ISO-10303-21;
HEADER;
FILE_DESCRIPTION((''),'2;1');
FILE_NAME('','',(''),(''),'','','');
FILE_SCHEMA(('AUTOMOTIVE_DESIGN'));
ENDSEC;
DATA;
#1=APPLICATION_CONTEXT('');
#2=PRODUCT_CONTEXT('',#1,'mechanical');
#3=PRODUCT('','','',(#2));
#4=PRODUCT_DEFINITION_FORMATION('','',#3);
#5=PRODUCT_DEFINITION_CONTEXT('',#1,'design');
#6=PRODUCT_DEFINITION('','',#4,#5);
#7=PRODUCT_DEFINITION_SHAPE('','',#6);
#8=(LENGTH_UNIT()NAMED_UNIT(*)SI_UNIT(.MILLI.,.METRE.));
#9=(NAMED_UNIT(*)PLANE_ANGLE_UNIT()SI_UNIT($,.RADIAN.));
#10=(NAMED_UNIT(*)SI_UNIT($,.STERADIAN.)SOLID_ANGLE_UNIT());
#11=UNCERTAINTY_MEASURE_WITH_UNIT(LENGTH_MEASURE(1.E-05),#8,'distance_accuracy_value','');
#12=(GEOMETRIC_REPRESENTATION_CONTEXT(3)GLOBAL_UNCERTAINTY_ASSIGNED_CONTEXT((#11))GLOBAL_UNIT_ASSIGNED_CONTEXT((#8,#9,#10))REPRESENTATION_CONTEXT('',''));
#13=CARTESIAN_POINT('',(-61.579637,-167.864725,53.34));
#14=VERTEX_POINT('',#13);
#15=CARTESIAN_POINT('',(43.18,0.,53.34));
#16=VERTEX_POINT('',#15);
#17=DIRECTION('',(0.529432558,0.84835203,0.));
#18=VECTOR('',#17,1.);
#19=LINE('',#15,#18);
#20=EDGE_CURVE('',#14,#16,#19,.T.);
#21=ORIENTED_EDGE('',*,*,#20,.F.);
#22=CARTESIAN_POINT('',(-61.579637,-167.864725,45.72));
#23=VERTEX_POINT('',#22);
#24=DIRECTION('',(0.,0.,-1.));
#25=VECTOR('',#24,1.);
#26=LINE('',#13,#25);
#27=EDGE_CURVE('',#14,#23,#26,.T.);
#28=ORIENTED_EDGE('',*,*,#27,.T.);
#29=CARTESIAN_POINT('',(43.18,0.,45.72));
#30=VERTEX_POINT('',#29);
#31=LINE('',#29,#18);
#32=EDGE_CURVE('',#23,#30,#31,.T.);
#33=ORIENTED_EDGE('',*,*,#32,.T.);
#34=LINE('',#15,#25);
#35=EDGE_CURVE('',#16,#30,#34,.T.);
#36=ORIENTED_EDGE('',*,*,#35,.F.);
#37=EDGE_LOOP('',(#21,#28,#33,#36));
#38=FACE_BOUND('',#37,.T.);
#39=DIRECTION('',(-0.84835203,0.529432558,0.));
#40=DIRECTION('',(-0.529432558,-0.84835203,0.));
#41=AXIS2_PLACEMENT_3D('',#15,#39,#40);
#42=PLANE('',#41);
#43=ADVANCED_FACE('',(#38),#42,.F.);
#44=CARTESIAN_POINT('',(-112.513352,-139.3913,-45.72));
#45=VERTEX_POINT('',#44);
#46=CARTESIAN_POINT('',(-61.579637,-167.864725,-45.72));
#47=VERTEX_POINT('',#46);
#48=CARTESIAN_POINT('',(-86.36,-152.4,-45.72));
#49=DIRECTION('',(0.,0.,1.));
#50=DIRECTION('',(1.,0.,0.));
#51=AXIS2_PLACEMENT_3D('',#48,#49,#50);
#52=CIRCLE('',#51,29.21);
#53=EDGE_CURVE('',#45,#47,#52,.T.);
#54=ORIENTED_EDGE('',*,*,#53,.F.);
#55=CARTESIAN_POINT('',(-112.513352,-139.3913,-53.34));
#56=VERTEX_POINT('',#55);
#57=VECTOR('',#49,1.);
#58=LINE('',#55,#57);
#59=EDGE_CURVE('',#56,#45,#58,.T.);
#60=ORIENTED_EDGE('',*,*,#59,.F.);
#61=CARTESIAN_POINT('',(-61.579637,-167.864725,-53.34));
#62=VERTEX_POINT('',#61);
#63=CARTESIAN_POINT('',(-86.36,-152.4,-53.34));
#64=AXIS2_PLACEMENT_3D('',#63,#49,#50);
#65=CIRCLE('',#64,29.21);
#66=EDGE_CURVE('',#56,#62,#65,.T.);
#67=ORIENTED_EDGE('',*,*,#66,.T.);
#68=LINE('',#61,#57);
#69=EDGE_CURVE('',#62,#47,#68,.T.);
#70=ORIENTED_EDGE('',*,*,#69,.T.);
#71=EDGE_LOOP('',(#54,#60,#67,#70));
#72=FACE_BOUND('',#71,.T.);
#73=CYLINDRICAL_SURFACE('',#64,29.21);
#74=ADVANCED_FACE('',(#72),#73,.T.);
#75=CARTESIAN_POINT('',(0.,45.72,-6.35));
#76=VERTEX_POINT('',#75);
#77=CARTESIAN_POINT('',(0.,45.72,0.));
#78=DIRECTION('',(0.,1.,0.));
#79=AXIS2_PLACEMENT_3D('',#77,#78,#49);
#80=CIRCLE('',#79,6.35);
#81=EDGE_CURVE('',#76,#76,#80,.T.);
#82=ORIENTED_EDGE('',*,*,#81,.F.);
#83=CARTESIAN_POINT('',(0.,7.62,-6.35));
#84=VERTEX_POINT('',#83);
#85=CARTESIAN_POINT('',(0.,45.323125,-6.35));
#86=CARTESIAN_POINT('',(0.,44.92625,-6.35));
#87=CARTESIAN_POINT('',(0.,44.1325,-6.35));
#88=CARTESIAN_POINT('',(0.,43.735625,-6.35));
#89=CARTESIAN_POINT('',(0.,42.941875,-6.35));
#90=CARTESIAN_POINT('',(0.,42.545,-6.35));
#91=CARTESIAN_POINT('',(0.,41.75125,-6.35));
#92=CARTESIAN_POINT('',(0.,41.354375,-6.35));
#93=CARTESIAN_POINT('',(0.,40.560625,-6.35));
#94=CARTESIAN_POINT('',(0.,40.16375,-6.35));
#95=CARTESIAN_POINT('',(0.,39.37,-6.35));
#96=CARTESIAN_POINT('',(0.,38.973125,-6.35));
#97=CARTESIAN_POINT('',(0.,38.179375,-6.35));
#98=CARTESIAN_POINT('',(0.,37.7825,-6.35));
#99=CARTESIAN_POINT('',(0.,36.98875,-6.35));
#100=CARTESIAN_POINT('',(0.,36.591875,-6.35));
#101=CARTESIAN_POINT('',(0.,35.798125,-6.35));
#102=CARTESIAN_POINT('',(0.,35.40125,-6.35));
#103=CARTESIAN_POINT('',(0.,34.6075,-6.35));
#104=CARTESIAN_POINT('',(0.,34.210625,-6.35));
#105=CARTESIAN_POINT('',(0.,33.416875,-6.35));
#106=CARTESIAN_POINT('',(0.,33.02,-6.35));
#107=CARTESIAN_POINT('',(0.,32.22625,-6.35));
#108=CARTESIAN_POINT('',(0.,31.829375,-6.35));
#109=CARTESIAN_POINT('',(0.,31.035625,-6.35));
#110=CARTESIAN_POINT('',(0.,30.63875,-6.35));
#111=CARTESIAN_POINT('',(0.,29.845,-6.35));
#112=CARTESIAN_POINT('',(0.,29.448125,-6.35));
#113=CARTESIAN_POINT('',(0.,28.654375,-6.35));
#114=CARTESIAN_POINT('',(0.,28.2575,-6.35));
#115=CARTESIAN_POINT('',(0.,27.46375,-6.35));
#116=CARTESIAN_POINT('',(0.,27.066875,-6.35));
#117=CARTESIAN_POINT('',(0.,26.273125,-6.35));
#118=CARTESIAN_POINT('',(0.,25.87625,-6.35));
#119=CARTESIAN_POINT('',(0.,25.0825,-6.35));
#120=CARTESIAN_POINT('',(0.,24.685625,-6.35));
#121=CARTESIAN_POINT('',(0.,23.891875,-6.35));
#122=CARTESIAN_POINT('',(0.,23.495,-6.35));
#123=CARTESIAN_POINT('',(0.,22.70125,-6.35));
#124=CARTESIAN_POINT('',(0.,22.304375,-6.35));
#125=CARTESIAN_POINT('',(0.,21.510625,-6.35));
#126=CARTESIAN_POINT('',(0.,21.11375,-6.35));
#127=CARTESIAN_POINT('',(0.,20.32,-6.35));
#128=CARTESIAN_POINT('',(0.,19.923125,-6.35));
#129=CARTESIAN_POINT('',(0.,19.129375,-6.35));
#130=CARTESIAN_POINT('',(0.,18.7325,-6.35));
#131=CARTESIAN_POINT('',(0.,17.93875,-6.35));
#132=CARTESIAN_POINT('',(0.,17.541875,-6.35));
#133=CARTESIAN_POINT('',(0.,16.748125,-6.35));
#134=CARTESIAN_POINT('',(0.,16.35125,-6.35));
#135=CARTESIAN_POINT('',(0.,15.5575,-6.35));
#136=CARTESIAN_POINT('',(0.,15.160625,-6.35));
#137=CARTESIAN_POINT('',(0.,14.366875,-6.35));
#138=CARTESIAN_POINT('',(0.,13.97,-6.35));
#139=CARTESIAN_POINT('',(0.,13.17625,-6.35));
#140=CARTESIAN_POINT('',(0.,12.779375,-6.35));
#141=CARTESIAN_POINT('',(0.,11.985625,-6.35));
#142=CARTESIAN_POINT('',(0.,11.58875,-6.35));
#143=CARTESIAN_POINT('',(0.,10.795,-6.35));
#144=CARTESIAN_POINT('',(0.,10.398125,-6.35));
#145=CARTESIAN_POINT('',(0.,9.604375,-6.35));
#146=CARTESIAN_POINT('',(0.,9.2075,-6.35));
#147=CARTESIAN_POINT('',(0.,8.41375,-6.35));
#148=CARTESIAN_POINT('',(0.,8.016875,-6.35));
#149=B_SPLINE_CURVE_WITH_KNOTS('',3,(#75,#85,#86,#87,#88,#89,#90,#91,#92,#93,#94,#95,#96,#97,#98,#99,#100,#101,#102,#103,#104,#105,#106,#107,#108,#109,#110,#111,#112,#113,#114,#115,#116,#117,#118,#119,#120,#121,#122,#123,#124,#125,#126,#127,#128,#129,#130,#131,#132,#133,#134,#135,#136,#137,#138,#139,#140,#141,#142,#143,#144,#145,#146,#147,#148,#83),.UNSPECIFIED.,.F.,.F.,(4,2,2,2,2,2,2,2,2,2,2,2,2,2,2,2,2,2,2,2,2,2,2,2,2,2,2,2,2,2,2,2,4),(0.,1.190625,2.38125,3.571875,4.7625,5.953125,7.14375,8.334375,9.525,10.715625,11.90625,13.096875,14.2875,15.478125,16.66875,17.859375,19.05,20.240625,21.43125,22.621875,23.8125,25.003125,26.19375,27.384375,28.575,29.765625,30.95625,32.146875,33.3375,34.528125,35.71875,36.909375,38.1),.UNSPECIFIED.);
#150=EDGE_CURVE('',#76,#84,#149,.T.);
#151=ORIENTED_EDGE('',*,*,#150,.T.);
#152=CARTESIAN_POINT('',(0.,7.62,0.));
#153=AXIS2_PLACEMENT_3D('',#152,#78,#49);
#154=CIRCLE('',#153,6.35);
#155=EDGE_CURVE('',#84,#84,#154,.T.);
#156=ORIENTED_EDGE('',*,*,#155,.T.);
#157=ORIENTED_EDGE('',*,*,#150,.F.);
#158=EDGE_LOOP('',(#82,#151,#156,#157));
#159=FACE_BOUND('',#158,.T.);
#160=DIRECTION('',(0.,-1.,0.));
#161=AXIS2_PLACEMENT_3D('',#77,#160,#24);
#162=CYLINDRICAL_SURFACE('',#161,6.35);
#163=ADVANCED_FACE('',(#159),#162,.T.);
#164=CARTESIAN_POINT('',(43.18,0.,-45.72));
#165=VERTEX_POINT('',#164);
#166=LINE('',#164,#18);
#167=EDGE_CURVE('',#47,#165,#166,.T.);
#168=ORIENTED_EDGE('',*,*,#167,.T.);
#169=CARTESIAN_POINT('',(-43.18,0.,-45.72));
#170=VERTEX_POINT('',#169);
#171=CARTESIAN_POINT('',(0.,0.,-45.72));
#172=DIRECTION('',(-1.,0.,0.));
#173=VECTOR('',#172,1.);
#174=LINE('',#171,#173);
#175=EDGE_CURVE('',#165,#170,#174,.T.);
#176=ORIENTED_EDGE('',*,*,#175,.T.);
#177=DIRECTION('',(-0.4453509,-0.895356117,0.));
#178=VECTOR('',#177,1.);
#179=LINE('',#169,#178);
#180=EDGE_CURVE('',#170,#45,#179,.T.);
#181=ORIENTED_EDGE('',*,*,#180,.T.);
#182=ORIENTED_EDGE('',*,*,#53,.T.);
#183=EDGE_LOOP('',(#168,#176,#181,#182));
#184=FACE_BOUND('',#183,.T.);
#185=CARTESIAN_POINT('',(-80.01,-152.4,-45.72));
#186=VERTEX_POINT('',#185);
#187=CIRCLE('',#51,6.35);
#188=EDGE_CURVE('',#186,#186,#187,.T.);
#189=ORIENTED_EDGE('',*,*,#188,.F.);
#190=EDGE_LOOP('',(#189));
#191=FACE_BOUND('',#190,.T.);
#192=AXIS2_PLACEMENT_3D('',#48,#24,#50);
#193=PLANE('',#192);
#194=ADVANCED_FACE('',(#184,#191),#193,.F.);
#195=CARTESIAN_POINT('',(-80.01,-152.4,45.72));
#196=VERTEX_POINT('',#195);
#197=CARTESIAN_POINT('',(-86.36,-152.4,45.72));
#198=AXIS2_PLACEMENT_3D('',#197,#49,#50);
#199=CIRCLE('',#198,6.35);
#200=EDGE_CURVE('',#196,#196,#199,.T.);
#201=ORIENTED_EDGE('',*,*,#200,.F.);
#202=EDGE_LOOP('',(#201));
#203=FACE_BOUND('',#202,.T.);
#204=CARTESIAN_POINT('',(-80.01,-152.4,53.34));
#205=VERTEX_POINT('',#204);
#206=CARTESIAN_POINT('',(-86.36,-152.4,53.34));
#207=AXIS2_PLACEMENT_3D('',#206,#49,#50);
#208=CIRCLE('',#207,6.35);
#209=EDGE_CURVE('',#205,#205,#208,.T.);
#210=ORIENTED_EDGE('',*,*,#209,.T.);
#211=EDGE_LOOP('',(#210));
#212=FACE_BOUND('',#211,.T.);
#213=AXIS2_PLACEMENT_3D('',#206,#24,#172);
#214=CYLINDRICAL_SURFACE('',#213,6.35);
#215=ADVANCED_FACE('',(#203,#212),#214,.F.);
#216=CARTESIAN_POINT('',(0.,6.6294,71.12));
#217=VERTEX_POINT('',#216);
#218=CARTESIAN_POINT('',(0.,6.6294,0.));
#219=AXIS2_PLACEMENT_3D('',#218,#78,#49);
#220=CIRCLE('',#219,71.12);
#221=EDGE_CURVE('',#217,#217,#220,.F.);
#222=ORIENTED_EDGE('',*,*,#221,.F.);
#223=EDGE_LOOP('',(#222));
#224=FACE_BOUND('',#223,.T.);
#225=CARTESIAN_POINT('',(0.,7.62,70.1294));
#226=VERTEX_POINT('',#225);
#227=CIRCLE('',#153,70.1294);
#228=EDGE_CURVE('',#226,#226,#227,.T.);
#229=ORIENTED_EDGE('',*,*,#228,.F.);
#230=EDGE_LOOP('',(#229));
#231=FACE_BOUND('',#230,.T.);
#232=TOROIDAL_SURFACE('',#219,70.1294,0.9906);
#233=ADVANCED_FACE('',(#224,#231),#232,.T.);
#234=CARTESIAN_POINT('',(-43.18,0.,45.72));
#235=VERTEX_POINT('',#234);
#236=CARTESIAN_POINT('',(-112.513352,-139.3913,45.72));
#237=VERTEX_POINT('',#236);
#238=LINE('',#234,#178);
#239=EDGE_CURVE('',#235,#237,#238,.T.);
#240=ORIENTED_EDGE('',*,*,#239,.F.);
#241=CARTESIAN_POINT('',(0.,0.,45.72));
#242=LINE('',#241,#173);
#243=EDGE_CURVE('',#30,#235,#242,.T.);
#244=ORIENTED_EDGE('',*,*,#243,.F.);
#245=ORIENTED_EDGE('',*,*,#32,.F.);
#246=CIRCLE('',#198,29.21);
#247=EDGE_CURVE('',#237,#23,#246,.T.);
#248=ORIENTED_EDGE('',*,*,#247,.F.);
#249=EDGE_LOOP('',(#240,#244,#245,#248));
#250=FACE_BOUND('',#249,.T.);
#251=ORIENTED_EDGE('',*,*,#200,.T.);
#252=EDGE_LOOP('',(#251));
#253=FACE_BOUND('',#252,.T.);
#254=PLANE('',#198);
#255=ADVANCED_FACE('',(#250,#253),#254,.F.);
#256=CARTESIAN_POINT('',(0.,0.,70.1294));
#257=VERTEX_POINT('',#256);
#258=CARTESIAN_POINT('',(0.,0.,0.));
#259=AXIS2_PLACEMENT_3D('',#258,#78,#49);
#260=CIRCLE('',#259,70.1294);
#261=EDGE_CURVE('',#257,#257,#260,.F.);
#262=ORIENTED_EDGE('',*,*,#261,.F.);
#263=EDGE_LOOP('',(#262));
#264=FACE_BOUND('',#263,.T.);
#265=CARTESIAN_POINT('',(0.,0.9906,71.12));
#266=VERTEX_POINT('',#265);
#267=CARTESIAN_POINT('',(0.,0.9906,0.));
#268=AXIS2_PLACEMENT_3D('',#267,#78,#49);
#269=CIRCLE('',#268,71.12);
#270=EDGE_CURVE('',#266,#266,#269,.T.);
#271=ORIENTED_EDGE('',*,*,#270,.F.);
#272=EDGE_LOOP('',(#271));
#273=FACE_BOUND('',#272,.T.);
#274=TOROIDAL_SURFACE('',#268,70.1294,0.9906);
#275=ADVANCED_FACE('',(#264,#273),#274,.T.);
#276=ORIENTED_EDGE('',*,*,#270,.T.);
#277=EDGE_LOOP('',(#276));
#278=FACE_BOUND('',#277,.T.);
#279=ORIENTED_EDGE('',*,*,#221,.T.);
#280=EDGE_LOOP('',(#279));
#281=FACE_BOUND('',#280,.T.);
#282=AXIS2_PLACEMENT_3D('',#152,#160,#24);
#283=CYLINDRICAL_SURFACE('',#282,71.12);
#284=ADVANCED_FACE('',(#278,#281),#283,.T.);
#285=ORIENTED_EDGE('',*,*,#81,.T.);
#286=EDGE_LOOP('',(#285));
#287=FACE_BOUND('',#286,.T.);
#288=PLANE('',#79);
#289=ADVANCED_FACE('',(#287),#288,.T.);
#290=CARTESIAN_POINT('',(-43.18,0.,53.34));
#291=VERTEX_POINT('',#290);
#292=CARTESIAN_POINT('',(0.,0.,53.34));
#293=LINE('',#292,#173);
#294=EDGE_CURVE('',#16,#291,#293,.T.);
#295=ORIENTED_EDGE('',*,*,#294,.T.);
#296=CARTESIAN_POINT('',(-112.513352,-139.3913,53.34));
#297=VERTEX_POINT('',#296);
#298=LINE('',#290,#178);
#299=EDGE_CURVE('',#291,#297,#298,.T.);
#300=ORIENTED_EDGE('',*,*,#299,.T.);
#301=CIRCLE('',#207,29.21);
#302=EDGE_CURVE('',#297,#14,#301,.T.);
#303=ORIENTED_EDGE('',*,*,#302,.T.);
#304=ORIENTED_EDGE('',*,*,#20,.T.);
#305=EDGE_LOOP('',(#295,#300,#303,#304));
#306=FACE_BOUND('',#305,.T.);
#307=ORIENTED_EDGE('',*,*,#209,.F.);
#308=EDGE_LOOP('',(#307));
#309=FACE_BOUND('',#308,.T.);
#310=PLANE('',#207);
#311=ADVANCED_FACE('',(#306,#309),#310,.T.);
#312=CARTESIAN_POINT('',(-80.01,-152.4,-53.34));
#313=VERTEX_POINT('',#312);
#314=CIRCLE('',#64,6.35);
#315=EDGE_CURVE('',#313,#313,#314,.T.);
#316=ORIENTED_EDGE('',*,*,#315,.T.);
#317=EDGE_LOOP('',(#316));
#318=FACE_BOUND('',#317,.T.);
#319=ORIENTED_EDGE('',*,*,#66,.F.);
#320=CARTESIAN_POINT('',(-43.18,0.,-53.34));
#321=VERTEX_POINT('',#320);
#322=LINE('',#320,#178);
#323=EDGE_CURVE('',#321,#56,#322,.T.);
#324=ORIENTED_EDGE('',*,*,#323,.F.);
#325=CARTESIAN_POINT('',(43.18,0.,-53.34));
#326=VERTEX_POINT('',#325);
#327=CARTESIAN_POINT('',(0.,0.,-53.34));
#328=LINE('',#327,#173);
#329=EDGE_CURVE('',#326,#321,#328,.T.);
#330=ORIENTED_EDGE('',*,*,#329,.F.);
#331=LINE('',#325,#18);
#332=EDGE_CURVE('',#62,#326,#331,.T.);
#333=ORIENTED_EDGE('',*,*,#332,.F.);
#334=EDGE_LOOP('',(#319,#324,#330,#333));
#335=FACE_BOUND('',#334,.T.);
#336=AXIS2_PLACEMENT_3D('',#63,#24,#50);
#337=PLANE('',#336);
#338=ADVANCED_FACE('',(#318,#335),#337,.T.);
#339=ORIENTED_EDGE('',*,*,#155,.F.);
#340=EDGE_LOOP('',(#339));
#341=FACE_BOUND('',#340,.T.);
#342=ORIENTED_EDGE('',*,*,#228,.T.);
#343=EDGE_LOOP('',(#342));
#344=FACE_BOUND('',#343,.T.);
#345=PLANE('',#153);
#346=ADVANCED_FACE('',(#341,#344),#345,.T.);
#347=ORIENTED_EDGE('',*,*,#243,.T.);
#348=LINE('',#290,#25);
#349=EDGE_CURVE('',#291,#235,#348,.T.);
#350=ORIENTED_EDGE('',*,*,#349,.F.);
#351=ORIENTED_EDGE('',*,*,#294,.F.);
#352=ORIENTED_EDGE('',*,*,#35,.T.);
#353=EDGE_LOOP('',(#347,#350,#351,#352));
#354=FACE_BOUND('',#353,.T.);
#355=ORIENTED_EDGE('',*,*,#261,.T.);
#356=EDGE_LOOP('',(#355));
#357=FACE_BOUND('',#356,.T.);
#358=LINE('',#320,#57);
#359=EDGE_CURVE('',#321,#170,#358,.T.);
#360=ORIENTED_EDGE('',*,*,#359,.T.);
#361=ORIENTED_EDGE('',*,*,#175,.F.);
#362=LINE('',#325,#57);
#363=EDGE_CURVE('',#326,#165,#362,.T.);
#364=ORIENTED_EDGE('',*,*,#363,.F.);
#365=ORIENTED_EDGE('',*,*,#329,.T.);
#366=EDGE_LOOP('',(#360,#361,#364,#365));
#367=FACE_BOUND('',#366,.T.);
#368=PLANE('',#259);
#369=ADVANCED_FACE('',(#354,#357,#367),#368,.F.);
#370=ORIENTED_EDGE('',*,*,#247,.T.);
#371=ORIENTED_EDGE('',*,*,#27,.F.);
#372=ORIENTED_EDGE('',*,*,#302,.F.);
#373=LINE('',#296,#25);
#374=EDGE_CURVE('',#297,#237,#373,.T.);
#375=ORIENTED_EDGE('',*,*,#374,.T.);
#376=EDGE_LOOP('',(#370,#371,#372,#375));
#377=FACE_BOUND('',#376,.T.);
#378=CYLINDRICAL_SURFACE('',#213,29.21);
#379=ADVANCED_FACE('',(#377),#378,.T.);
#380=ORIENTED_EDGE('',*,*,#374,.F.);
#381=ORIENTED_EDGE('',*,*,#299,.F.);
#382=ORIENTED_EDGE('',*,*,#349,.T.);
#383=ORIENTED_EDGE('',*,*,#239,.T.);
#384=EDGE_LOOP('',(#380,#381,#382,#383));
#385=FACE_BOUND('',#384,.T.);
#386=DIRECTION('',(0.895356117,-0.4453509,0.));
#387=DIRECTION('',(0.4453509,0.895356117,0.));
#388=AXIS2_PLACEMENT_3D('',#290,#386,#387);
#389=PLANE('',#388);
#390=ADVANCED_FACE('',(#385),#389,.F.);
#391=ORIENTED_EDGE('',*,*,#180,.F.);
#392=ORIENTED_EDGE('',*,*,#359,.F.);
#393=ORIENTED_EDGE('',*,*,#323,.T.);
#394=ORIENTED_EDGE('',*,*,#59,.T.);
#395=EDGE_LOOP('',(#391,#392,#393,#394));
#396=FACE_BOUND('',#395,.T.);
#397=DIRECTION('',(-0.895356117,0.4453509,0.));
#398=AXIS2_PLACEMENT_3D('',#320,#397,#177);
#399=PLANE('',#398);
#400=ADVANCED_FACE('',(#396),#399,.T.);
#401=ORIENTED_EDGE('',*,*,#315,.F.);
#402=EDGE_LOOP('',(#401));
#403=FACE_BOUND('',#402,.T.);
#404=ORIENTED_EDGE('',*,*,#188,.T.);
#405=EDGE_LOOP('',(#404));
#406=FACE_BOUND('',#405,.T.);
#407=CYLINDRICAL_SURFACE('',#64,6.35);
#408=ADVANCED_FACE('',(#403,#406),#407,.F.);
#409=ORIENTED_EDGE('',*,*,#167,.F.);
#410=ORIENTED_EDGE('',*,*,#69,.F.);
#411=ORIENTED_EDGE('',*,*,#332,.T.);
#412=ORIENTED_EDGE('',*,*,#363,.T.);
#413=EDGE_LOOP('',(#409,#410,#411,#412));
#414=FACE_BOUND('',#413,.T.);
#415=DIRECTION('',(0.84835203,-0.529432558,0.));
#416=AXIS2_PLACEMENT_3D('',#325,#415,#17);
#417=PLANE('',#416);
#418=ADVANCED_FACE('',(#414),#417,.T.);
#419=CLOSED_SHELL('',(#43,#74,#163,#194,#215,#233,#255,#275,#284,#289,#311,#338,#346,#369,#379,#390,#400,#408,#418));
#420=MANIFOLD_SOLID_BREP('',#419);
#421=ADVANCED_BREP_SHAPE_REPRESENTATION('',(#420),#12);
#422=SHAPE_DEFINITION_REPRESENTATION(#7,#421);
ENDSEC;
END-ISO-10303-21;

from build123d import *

# Parameters (mm, degrees)
SKETCH1_R           = 71.12
BOSS_EXTRUDE1_DEPTH = 7.62
FILLET1_R           = 0.9906
SKETCH3_R           = 6.35
BOSS_EXTRUDE2_DEPTH = 7.62
SKETCH5_R           = 6.35
BOSS_EXTRUDE3_DEPTH = 38.1


with BuildPart() as part:
    # Sketch1 → Boss-Extrude1 (new body)
    with BuildSketch(Plane(origin=(0, 0, 0), x_dir=(1, 0, 0), z_dir=(0, 1, 0))):
        with Locations(Location((0, 0, 0), (0, 0, 270))):
            Circle(SKETCH1_R)
    extrude(amount=BOSS_EXTRUDE1_DEPTH)

    # Fillet1
    fillet1_edges = [part.edges().sort_by_distance(p)[0] for p in [
        (0, 0, -71.12),
        (0, 7.62, -71.12),
    ]]
    fillet(fillet1_edges, radius=FILLET1_R)

    # Sketch3 → Boss-Extrude2 (add)
    with BuildSketch(Plane.XY.offset(45.72)):
        with BuildLine():
            Line((0, 0), (43.18, 0))
            Line((43.18, 0), (-61.579637217, -167.864725032))
            ThreePointArc((-61.579637217, -167.864725032), (-100.613254195, -177.896447691), (-112.513352174, -139.391300217))
            Line((-112.513352174, -139.391300217), (-43.18, 0))
            Line((-43.18, 0), (0, 0))
        make_face()
        with Locations((-86.36, -152.4)):
            Circle(SKETCH3_R, mode=Mode.SUBTRACT)
    boss_extrude2 = extrude(amount=BOSS_EXTRUDE2_DEPTH)

    # Mirror1: Boss-Extrude2 across plane
    add(boss_extrude2.mirror(Plane.XY))

    # Sketch5 → Boss-Extrude3 (add)
    with BuildSketch(Plane(origin=(0, 7.62, 0), x_dir=(1, 0, 0), z_dir=(0, 1, 0))):
        with Locations(Location((0, 0, 0), (0, 0, 90))):
            Circle(SKETCH5_R)
    extrude(amount=BOSS_EXTRUDE3_DEPTH)


solid = part.part
